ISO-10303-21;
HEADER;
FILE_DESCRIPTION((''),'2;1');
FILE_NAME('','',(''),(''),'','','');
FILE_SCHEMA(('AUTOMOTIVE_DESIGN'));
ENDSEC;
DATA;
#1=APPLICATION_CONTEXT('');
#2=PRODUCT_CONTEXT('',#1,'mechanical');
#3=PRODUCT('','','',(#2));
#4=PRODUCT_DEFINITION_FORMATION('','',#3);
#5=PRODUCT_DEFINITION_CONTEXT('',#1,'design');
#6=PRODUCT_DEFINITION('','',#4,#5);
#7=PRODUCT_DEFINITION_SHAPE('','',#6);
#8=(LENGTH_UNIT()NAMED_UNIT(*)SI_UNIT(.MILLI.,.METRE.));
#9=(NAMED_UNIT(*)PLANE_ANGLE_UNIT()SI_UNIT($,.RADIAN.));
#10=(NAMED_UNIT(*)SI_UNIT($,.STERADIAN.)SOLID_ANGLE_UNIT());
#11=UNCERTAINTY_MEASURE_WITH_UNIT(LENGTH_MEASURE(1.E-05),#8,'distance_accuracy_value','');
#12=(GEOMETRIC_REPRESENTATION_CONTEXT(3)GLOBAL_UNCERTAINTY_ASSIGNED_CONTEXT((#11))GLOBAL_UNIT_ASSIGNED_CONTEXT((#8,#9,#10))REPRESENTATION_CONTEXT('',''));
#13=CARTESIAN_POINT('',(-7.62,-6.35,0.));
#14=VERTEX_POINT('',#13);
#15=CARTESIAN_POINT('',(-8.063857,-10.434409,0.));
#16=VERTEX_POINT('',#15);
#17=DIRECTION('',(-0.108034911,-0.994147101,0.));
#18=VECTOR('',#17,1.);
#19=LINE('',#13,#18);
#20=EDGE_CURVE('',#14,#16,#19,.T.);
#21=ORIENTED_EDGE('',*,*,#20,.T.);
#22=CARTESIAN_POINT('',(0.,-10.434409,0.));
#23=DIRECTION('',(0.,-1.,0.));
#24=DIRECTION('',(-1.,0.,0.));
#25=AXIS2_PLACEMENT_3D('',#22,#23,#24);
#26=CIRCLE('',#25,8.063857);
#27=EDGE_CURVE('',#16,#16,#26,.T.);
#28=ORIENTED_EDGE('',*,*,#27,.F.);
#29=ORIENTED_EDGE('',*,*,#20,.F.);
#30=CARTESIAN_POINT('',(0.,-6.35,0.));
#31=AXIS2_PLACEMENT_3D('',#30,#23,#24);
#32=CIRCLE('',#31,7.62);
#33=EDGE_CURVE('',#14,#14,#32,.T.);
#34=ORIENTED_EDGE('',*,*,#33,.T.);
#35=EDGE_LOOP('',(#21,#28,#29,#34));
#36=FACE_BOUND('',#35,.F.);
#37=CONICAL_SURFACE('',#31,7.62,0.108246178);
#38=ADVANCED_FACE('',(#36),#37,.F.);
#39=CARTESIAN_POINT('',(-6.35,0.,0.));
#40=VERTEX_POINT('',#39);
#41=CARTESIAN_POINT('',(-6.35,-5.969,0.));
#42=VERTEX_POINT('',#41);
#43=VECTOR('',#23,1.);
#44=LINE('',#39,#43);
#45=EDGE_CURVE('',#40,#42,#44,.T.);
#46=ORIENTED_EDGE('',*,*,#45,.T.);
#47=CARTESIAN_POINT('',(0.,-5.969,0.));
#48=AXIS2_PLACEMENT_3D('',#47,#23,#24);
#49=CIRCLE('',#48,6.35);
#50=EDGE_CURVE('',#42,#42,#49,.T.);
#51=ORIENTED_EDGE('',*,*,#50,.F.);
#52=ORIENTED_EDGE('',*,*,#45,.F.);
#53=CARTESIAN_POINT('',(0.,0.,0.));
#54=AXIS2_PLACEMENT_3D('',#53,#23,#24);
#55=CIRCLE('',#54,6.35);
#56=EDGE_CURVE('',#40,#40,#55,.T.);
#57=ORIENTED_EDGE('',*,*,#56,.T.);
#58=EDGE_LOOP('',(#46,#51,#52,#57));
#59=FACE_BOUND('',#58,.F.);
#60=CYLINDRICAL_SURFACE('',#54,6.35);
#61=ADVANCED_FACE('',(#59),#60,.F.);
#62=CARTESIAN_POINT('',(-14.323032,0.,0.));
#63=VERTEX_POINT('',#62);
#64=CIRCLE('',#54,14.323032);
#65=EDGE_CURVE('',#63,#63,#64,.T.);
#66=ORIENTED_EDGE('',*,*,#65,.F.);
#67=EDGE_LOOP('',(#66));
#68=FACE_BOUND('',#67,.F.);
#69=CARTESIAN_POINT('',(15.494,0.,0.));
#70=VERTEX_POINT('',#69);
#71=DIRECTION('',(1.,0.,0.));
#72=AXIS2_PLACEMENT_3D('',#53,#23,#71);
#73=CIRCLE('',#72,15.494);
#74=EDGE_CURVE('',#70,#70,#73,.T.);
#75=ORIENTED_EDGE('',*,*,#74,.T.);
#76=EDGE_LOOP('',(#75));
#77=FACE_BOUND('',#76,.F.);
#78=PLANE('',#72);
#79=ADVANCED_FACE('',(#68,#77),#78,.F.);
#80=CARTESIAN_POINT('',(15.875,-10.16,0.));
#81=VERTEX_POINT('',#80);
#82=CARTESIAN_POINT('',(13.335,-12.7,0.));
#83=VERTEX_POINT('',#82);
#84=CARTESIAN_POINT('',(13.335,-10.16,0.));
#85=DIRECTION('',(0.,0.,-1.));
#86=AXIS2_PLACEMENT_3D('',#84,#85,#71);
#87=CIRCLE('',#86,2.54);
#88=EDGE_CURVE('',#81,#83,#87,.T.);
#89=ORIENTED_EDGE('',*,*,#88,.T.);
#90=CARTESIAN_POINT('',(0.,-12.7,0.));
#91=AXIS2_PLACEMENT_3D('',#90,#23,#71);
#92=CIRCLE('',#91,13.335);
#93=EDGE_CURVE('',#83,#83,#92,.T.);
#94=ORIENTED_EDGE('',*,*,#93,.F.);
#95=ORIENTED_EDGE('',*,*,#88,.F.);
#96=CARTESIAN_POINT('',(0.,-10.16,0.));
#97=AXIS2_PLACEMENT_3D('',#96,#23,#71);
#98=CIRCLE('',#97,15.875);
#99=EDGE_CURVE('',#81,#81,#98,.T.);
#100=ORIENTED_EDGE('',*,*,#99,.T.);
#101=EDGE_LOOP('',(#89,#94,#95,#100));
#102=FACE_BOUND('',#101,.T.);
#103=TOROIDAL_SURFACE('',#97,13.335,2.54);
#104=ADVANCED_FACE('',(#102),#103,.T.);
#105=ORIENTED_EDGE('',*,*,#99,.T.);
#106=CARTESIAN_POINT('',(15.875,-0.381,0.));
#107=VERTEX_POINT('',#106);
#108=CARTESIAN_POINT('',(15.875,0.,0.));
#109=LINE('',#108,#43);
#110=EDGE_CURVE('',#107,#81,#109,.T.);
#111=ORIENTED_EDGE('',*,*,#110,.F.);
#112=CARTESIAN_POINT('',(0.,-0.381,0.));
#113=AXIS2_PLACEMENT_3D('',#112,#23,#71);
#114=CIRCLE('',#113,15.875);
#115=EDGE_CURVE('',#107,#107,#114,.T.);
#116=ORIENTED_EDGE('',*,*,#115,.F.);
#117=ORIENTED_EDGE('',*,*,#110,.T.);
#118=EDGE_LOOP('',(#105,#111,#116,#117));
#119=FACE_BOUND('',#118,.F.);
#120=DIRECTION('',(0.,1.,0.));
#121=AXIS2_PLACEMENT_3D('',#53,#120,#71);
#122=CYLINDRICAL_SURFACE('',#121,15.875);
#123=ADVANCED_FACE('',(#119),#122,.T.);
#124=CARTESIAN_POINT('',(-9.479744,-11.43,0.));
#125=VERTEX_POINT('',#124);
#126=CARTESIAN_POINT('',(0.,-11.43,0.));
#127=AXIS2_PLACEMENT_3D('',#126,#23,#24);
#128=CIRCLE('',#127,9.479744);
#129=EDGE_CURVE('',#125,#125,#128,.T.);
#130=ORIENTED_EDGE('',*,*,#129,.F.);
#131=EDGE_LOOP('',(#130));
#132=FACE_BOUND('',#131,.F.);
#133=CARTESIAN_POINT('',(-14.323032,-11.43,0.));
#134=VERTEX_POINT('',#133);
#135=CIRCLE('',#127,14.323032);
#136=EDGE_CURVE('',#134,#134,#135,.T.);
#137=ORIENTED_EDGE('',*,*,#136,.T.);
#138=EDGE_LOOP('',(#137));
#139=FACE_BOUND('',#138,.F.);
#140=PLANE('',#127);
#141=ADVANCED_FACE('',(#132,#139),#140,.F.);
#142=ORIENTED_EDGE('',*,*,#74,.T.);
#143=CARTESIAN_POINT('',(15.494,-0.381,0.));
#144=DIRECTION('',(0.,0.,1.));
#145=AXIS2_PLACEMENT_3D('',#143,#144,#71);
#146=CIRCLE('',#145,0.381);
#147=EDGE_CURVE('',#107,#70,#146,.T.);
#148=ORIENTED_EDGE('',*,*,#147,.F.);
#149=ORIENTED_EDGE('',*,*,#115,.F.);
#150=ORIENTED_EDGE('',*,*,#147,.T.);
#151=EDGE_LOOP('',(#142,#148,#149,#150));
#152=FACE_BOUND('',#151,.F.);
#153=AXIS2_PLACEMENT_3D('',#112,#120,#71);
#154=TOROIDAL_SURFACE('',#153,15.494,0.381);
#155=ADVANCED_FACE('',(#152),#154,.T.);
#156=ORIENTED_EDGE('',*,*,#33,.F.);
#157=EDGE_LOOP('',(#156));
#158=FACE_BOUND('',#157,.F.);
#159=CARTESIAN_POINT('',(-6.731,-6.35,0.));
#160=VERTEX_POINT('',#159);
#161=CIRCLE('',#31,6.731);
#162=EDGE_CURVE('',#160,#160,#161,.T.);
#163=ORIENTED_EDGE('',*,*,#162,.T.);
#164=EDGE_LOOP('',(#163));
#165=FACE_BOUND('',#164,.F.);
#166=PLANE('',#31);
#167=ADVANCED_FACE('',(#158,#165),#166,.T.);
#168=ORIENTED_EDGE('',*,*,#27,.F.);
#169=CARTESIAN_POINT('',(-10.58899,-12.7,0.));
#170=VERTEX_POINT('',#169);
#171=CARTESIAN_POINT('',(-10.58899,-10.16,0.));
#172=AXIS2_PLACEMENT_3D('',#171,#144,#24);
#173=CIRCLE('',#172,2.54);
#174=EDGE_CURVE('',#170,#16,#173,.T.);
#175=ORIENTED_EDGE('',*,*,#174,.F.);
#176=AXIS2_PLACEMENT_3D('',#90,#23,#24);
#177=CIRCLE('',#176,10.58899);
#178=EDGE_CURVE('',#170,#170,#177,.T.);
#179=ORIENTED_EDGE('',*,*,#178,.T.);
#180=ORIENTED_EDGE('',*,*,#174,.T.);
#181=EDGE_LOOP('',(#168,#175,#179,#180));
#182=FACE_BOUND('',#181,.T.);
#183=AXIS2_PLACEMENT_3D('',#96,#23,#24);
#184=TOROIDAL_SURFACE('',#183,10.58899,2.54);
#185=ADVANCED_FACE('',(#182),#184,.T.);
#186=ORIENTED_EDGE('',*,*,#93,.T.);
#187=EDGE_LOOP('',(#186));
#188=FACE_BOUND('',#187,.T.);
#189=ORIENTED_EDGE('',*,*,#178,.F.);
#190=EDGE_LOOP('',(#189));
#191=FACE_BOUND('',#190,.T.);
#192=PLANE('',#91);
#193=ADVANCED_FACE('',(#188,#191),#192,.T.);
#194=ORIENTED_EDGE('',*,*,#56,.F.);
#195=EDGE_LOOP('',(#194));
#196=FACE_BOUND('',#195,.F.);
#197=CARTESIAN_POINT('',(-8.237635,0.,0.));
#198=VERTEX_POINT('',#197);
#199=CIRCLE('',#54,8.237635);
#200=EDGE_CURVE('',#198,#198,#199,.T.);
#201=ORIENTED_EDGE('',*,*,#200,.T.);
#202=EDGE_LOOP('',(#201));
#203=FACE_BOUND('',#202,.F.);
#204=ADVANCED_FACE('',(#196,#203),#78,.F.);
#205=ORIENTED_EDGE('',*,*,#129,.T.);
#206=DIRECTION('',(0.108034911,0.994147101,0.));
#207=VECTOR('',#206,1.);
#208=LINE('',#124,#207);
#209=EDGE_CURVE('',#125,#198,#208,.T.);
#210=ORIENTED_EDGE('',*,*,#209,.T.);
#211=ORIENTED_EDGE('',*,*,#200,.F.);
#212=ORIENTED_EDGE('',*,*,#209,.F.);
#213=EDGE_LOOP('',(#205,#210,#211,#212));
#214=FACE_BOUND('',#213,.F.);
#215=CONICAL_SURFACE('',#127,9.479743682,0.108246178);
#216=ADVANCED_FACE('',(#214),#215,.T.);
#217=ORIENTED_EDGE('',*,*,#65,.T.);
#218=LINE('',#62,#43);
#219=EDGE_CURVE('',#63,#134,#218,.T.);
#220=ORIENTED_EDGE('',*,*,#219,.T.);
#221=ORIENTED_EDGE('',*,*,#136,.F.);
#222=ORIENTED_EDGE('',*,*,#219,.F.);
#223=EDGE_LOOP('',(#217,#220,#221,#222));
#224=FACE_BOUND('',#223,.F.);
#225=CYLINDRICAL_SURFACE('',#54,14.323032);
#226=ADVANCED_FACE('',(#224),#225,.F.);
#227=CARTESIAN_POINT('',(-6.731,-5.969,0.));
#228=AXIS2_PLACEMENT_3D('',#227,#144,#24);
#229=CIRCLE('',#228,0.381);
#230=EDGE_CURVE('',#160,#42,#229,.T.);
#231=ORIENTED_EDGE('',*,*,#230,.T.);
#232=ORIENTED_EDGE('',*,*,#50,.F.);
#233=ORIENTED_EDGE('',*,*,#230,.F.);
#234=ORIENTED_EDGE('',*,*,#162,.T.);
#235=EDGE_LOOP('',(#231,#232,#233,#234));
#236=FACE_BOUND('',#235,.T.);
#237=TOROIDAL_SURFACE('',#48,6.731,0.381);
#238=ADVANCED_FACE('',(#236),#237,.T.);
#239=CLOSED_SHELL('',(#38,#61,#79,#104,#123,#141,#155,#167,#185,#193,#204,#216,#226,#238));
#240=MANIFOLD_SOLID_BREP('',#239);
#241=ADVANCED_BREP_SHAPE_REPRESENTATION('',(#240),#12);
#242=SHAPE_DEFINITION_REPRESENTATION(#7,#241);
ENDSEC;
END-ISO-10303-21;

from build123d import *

# Parameters (mm, degrees)
F0_R     = 15.875
F1_DEPTH = 12.7
F4_R     = 2.54
F5_R     = 0.381


with BuildPart() as f1:
    # F0 (on Front) → F1 (new body)
    with BuildSketch(Plane.XZ):
        Circle(F0_R)
    extrude(amount=F1_DEPTH)

    # F2 (on Top) → F3 (revolve, cut)
    with BuildSketch(Plane.XY):
        Polygon((0, -12.7), (0, 0), (-6.35, 0), (-6.35, -6.35), (-7.62, -6.35), (-8.3100605367, -12.7), align=None)
        Polygon((-9.4797436824, -11.43), (-8.2376347163, 0), (-14.3230315298, 0), (-14.3230315298, -11.43), align=None)
    revolve(axis=Axis((0, -6.35, 0), (0, -1, 0)), mode=Mode.SUBTRACT)

    # F4
    f4_edges = [f1.edges().sort_by_distance(p)[0] for p in [
        (-15.875, -12.7, 0),
        (8.310061, -12.7, 0),
    ]]
    fillet(f4_edges, radius=F4_R)

    # F5
    f5_edges = [f1.edges().sort_by_distance(p)[0] for p in [
        (-15.875, 0, 0),
        (6.35, -6.35, 0),
    ]]
    fillet(f5_edges, radius=F5_R)


solid = f1.part
